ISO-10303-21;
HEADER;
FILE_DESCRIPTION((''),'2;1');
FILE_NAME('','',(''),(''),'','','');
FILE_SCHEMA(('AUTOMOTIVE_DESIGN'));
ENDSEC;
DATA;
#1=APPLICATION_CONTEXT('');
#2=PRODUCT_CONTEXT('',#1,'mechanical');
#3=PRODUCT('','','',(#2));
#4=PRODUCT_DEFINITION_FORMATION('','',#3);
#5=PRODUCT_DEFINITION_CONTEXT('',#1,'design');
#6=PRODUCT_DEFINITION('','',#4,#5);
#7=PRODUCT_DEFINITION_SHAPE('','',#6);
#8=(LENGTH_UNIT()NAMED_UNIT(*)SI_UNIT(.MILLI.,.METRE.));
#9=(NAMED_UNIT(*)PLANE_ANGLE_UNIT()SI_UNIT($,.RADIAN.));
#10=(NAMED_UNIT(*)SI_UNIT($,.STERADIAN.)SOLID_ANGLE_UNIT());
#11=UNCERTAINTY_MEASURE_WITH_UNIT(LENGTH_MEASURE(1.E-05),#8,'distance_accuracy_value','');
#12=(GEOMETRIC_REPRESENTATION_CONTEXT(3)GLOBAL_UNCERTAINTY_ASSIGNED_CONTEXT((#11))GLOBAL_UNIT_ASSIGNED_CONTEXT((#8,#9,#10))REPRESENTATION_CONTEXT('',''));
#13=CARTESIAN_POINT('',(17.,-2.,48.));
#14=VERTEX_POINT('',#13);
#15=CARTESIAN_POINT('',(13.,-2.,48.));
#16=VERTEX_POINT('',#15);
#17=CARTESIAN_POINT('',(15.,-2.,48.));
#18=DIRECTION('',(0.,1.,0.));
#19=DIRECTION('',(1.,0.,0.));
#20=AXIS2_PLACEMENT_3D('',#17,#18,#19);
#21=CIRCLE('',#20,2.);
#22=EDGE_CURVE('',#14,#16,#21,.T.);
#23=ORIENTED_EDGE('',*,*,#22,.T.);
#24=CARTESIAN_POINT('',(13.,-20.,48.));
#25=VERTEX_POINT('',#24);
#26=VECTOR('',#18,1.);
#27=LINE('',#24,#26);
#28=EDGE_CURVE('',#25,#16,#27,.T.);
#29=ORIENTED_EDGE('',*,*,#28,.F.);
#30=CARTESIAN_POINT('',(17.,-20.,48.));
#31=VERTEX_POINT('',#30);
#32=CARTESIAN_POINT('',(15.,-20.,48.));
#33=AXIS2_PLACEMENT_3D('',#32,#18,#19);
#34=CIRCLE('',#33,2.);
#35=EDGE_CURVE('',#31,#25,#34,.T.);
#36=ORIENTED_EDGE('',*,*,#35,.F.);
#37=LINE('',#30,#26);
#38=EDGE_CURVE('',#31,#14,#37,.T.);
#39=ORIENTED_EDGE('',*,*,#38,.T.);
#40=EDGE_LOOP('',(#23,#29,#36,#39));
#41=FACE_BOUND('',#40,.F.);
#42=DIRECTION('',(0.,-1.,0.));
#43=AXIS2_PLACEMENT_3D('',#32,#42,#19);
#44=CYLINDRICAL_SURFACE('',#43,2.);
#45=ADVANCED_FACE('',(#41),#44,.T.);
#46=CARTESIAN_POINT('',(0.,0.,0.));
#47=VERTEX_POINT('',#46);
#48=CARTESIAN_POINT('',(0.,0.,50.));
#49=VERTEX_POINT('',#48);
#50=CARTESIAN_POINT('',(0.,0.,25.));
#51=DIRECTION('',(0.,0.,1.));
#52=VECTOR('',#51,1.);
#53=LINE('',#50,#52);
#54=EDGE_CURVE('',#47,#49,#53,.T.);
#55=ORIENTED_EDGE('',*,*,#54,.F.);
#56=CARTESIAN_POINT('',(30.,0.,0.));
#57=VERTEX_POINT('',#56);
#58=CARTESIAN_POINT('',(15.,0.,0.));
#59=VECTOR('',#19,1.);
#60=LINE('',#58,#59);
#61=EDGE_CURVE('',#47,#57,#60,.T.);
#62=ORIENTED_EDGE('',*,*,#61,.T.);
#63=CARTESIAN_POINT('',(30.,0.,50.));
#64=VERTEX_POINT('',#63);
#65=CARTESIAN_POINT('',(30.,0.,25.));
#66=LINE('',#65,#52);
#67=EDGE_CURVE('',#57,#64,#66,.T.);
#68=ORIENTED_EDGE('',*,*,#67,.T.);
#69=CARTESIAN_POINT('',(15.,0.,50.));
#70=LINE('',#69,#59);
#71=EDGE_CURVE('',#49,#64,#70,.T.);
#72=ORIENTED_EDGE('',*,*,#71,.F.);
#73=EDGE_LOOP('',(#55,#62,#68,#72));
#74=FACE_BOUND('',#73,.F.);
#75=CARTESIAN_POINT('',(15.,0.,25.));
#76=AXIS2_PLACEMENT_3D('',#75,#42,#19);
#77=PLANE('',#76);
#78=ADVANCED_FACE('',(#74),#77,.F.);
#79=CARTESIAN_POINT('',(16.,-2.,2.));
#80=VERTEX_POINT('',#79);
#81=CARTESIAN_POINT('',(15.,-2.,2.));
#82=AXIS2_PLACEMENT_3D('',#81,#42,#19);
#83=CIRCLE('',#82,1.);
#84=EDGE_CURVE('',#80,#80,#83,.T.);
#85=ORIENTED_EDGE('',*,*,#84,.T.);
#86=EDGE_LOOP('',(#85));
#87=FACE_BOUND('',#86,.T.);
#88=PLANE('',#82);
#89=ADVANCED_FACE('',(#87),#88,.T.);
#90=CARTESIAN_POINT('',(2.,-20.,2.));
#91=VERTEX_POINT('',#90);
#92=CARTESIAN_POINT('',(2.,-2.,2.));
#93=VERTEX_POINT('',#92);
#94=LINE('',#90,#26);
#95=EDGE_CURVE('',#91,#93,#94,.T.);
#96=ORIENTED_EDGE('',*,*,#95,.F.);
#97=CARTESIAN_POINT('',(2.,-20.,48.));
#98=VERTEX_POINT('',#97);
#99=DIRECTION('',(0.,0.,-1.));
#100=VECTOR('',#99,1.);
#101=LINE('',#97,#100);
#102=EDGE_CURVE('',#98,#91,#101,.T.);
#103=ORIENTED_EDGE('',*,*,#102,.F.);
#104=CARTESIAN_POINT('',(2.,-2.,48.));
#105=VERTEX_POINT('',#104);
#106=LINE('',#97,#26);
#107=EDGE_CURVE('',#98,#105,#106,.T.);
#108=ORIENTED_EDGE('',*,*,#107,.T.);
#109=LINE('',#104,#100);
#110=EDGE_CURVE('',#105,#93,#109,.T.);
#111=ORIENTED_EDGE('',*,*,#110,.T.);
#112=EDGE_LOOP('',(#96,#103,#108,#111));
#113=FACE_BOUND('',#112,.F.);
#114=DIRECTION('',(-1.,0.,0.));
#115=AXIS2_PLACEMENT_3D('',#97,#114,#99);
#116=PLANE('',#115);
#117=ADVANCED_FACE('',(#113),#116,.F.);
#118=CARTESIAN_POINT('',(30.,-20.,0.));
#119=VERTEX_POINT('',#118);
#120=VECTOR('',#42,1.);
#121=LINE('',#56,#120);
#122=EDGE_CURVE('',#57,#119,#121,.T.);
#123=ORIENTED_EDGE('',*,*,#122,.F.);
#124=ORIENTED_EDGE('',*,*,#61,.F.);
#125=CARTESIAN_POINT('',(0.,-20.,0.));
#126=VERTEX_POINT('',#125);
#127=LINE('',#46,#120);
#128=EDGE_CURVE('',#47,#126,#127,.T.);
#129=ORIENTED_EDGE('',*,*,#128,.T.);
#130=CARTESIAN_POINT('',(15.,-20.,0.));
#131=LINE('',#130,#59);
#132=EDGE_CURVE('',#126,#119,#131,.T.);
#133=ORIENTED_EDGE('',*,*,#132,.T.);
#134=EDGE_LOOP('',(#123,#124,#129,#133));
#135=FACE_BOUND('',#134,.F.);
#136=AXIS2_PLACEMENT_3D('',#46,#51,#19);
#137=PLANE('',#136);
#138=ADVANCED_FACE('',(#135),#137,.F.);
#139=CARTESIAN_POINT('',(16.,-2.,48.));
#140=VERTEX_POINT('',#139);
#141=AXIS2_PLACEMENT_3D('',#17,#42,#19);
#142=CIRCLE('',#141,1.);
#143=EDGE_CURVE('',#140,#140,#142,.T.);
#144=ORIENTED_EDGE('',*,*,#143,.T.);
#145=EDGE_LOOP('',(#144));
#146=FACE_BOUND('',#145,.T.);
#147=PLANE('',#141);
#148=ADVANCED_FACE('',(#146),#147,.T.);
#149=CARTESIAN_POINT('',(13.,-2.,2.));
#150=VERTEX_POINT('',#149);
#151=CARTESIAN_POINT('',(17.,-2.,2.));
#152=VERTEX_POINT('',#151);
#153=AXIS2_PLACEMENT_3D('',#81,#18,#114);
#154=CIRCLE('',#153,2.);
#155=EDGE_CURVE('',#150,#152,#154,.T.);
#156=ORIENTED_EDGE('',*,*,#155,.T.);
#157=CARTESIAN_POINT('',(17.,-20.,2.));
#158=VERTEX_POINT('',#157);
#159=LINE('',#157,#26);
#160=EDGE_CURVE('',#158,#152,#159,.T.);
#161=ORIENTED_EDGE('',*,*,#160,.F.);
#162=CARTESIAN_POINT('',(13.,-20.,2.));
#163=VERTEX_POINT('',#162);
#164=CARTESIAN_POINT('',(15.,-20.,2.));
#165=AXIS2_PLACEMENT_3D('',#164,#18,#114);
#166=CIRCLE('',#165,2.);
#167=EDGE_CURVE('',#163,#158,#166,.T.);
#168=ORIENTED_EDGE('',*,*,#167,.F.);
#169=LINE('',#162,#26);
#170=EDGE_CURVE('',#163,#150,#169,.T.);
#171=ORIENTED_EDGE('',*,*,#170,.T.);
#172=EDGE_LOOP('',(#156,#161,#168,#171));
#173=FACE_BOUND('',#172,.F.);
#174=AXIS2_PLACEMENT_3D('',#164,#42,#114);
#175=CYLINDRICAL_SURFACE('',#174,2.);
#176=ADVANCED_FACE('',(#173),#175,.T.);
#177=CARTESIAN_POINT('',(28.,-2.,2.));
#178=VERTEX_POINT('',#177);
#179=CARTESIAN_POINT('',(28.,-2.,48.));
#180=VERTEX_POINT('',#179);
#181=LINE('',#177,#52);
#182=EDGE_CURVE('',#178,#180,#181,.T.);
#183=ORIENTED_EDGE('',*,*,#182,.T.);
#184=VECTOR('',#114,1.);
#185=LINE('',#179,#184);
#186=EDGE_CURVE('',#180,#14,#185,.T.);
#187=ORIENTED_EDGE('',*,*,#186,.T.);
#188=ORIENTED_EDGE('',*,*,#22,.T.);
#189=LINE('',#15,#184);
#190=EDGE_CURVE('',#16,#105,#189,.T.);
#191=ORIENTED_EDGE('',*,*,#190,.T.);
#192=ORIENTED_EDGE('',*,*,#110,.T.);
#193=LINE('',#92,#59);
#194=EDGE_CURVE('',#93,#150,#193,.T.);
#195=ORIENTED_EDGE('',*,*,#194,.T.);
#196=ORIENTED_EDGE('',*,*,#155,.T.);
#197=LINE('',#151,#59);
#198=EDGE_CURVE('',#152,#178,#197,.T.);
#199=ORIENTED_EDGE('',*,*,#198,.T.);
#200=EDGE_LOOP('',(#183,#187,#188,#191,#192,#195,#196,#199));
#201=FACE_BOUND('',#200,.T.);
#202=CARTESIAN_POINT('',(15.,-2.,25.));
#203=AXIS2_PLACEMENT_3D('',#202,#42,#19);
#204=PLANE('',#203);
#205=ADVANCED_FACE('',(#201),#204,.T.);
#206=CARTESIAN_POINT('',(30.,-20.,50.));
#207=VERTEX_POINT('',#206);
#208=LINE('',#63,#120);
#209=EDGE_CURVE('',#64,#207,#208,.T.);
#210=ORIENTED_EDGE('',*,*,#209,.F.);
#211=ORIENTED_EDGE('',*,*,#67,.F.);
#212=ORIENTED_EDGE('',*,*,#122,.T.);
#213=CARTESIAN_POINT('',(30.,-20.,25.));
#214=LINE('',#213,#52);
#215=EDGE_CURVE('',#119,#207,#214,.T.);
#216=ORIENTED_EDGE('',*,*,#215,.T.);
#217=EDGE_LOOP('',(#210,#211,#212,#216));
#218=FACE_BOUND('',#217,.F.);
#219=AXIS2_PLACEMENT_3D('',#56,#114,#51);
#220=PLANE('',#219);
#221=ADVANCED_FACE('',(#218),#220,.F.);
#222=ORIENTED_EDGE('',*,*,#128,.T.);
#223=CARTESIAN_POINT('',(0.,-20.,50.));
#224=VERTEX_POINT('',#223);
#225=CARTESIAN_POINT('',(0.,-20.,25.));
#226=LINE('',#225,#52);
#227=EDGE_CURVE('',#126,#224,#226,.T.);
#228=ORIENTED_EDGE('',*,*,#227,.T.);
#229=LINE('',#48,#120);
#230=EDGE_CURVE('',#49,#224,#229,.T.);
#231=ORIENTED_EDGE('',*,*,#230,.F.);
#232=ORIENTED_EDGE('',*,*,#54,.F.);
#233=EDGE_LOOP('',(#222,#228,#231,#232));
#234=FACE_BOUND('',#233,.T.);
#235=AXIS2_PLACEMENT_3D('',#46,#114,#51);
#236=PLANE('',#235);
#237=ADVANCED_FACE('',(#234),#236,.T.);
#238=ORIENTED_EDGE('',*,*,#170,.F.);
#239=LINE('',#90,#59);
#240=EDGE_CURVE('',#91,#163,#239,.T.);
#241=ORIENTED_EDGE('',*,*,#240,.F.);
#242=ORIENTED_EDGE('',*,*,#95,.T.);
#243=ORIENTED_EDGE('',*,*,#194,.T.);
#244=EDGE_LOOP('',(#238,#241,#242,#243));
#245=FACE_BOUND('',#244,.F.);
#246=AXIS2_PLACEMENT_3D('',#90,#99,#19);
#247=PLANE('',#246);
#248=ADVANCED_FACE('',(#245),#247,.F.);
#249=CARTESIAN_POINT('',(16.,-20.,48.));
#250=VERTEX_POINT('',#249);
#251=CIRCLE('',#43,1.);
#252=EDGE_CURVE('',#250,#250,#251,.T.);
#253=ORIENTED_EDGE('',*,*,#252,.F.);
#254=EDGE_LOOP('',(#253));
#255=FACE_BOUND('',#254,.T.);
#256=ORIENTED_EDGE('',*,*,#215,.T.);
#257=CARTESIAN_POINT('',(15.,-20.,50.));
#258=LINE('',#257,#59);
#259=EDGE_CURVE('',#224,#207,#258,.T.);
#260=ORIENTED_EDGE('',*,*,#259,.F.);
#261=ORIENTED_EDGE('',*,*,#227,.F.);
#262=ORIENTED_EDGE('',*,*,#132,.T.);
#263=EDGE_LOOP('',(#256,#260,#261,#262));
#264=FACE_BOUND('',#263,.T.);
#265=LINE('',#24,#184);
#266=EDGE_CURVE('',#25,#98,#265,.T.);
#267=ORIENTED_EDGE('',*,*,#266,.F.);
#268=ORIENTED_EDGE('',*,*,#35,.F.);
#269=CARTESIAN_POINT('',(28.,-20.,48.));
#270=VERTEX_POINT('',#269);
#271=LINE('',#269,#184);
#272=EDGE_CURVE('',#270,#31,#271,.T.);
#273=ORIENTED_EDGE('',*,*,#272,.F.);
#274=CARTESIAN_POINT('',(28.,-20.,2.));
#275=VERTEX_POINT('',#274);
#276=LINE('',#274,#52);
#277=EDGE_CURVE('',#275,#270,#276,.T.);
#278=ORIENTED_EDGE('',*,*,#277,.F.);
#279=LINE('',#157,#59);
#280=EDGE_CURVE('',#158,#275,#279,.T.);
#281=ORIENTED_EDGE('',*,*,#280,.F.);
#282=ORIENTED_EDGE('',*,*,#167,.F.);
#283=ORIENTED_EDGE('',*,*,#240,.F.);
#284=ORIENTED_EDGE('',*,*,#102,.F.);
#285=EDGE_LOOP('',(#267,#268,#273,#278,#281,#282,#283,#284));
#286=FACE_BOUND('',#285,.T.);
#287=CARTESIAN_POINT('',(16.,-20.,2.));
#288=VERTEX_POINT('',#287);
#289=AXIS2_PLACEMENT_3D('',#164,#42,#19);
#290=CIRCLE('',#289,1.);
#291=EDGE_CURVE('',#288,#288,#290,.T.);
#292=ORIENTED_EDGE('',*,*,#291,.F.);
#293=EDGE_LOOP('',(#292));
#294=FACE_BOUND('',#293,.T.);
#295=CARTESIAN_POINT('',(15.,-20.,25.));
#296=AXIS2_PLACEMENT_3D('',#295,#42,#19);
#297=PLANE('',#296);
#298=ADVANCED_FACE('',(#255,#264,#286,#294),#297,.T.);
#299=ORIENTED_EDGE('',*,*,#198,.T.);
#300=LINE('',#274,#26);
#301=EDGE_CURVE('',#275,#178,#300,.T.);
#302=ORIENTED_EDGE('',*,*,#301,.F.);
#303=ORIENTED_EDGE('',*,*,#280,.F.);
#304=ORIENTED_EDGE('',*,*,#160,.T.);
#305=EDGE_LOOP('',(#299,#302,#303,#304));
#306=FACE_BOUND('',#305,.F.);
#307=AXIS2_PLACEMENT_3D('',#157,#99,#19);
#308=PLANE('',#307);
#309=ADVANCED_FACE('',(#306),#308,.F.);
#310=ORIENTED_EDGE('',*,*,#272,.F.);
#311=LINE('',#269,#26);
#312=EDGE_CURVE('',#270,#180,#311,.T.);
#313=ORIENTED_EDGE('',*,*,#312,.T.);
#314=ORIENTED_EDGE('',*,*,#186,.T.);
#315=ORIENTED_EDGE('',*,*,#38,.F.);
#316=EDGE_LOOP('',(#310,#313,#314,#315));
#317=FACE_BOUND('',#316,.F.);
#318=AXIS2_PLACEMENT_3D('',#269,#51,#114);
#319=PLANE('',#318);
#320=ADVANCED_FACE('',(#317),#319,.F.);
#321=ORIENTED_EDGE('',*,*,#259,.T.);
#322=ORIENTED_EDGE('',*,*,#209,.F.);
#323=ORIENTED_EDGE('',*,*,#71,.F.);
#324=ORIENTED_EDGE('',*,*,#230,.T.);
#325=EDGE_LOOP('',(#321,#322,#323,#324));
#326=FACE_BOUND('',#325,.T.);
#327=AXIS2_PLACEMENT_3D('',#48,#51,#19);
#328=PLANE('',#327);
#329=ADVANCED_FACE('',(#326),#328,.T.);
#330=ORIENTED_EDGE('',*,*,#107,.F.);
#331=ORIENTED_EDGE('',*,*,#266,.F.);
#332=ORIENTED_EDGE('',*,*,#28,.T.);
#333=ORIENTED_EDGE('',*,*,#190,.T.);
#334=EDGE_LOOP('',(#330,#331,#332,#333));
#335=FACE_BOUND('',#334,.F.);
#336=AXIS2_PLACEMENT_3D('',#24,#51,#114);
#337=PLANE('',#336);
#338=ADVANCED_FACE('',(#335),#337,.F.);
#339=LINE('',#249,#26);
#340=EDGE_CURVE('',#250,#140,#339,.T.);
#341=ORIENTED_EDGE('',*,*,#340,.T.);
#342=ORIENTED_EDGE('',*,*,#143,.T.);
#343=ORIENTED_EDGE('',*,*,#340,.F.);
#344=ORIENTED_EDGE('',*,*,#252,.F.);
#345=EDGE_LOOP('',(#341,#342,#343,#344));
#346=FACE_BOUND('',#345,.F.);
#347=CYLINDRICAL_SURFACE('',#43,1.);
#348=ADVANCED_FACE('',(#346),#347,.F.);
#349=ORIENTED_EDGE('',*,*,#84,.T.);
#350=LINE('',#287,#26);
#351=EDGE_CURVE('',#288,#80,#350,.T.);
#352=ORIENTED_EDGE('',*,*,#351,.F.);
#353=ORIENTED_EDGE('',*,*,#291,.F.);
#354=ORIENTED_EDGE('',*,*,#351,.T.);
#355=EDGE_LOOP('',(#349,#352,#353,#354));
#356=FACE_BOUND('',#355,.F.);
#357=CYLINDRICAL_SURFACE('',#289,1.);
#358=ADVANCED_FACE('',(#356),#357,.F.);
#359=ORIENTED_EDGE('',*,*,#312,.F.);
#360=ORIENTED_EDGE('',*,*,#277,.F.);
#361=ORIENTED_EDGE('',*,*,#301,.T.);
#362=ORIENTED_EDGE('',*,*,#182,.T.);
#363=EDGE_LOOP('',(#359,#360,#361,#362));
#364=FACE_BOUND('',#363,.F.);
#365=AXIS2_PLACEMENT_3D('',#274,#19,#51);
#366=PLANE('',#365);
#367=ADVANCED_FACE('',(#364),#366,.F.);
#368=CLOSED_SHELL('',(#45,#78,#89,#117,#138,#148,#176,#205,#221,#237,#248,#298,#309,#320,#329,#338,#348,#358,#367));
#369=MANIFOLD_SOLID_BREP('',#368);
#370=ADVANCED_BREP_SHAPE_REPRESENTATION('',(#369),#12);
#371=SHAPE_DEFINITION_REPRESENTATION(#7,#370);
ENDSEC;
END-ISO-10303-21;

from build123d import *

# Parameters (mm, degrees)
F0_W     = 30
F0_H     = 50
F1_DEPTH = 20
F3_R     = 1
F4_DEPTH = 18


with BuildPart() as f1:
    # F0 (on Front) → F1 (new body)
    with BuildSketch(Plane.XZ):
        with Locations((15, 25)):
            Rectangle(F0_W, F0_H)
    extrude(amount=F1_DEPTH)

    # F3 (on offset) → F4 (cut)
    with BuildSketch(Plane.XZ.offset(20)):
        with BuildLine():
            Line((2, 48), (2, 2))
            Line((2, 2), (13, 2))
            ThreePointArc((13, 2), (15, 4), (17, 2))
            Line((17, 2), (28, 2))
            Line((28, 2), (28, 48))
            Line((28, 48), (17, 48))
            ThreePointArc((17, 48), (15, 46), (13, 48))
            Line((13, 48), (2, 48))
        make_face()
        with Locations((15, 2)):
            Circle(F3_R)
        with Locations((15, 48)):
            Circle(F3_R)
    extrude(amount=-F4_DEPTH, mode=Mode.SUBTRACT)


solid = f1.part
